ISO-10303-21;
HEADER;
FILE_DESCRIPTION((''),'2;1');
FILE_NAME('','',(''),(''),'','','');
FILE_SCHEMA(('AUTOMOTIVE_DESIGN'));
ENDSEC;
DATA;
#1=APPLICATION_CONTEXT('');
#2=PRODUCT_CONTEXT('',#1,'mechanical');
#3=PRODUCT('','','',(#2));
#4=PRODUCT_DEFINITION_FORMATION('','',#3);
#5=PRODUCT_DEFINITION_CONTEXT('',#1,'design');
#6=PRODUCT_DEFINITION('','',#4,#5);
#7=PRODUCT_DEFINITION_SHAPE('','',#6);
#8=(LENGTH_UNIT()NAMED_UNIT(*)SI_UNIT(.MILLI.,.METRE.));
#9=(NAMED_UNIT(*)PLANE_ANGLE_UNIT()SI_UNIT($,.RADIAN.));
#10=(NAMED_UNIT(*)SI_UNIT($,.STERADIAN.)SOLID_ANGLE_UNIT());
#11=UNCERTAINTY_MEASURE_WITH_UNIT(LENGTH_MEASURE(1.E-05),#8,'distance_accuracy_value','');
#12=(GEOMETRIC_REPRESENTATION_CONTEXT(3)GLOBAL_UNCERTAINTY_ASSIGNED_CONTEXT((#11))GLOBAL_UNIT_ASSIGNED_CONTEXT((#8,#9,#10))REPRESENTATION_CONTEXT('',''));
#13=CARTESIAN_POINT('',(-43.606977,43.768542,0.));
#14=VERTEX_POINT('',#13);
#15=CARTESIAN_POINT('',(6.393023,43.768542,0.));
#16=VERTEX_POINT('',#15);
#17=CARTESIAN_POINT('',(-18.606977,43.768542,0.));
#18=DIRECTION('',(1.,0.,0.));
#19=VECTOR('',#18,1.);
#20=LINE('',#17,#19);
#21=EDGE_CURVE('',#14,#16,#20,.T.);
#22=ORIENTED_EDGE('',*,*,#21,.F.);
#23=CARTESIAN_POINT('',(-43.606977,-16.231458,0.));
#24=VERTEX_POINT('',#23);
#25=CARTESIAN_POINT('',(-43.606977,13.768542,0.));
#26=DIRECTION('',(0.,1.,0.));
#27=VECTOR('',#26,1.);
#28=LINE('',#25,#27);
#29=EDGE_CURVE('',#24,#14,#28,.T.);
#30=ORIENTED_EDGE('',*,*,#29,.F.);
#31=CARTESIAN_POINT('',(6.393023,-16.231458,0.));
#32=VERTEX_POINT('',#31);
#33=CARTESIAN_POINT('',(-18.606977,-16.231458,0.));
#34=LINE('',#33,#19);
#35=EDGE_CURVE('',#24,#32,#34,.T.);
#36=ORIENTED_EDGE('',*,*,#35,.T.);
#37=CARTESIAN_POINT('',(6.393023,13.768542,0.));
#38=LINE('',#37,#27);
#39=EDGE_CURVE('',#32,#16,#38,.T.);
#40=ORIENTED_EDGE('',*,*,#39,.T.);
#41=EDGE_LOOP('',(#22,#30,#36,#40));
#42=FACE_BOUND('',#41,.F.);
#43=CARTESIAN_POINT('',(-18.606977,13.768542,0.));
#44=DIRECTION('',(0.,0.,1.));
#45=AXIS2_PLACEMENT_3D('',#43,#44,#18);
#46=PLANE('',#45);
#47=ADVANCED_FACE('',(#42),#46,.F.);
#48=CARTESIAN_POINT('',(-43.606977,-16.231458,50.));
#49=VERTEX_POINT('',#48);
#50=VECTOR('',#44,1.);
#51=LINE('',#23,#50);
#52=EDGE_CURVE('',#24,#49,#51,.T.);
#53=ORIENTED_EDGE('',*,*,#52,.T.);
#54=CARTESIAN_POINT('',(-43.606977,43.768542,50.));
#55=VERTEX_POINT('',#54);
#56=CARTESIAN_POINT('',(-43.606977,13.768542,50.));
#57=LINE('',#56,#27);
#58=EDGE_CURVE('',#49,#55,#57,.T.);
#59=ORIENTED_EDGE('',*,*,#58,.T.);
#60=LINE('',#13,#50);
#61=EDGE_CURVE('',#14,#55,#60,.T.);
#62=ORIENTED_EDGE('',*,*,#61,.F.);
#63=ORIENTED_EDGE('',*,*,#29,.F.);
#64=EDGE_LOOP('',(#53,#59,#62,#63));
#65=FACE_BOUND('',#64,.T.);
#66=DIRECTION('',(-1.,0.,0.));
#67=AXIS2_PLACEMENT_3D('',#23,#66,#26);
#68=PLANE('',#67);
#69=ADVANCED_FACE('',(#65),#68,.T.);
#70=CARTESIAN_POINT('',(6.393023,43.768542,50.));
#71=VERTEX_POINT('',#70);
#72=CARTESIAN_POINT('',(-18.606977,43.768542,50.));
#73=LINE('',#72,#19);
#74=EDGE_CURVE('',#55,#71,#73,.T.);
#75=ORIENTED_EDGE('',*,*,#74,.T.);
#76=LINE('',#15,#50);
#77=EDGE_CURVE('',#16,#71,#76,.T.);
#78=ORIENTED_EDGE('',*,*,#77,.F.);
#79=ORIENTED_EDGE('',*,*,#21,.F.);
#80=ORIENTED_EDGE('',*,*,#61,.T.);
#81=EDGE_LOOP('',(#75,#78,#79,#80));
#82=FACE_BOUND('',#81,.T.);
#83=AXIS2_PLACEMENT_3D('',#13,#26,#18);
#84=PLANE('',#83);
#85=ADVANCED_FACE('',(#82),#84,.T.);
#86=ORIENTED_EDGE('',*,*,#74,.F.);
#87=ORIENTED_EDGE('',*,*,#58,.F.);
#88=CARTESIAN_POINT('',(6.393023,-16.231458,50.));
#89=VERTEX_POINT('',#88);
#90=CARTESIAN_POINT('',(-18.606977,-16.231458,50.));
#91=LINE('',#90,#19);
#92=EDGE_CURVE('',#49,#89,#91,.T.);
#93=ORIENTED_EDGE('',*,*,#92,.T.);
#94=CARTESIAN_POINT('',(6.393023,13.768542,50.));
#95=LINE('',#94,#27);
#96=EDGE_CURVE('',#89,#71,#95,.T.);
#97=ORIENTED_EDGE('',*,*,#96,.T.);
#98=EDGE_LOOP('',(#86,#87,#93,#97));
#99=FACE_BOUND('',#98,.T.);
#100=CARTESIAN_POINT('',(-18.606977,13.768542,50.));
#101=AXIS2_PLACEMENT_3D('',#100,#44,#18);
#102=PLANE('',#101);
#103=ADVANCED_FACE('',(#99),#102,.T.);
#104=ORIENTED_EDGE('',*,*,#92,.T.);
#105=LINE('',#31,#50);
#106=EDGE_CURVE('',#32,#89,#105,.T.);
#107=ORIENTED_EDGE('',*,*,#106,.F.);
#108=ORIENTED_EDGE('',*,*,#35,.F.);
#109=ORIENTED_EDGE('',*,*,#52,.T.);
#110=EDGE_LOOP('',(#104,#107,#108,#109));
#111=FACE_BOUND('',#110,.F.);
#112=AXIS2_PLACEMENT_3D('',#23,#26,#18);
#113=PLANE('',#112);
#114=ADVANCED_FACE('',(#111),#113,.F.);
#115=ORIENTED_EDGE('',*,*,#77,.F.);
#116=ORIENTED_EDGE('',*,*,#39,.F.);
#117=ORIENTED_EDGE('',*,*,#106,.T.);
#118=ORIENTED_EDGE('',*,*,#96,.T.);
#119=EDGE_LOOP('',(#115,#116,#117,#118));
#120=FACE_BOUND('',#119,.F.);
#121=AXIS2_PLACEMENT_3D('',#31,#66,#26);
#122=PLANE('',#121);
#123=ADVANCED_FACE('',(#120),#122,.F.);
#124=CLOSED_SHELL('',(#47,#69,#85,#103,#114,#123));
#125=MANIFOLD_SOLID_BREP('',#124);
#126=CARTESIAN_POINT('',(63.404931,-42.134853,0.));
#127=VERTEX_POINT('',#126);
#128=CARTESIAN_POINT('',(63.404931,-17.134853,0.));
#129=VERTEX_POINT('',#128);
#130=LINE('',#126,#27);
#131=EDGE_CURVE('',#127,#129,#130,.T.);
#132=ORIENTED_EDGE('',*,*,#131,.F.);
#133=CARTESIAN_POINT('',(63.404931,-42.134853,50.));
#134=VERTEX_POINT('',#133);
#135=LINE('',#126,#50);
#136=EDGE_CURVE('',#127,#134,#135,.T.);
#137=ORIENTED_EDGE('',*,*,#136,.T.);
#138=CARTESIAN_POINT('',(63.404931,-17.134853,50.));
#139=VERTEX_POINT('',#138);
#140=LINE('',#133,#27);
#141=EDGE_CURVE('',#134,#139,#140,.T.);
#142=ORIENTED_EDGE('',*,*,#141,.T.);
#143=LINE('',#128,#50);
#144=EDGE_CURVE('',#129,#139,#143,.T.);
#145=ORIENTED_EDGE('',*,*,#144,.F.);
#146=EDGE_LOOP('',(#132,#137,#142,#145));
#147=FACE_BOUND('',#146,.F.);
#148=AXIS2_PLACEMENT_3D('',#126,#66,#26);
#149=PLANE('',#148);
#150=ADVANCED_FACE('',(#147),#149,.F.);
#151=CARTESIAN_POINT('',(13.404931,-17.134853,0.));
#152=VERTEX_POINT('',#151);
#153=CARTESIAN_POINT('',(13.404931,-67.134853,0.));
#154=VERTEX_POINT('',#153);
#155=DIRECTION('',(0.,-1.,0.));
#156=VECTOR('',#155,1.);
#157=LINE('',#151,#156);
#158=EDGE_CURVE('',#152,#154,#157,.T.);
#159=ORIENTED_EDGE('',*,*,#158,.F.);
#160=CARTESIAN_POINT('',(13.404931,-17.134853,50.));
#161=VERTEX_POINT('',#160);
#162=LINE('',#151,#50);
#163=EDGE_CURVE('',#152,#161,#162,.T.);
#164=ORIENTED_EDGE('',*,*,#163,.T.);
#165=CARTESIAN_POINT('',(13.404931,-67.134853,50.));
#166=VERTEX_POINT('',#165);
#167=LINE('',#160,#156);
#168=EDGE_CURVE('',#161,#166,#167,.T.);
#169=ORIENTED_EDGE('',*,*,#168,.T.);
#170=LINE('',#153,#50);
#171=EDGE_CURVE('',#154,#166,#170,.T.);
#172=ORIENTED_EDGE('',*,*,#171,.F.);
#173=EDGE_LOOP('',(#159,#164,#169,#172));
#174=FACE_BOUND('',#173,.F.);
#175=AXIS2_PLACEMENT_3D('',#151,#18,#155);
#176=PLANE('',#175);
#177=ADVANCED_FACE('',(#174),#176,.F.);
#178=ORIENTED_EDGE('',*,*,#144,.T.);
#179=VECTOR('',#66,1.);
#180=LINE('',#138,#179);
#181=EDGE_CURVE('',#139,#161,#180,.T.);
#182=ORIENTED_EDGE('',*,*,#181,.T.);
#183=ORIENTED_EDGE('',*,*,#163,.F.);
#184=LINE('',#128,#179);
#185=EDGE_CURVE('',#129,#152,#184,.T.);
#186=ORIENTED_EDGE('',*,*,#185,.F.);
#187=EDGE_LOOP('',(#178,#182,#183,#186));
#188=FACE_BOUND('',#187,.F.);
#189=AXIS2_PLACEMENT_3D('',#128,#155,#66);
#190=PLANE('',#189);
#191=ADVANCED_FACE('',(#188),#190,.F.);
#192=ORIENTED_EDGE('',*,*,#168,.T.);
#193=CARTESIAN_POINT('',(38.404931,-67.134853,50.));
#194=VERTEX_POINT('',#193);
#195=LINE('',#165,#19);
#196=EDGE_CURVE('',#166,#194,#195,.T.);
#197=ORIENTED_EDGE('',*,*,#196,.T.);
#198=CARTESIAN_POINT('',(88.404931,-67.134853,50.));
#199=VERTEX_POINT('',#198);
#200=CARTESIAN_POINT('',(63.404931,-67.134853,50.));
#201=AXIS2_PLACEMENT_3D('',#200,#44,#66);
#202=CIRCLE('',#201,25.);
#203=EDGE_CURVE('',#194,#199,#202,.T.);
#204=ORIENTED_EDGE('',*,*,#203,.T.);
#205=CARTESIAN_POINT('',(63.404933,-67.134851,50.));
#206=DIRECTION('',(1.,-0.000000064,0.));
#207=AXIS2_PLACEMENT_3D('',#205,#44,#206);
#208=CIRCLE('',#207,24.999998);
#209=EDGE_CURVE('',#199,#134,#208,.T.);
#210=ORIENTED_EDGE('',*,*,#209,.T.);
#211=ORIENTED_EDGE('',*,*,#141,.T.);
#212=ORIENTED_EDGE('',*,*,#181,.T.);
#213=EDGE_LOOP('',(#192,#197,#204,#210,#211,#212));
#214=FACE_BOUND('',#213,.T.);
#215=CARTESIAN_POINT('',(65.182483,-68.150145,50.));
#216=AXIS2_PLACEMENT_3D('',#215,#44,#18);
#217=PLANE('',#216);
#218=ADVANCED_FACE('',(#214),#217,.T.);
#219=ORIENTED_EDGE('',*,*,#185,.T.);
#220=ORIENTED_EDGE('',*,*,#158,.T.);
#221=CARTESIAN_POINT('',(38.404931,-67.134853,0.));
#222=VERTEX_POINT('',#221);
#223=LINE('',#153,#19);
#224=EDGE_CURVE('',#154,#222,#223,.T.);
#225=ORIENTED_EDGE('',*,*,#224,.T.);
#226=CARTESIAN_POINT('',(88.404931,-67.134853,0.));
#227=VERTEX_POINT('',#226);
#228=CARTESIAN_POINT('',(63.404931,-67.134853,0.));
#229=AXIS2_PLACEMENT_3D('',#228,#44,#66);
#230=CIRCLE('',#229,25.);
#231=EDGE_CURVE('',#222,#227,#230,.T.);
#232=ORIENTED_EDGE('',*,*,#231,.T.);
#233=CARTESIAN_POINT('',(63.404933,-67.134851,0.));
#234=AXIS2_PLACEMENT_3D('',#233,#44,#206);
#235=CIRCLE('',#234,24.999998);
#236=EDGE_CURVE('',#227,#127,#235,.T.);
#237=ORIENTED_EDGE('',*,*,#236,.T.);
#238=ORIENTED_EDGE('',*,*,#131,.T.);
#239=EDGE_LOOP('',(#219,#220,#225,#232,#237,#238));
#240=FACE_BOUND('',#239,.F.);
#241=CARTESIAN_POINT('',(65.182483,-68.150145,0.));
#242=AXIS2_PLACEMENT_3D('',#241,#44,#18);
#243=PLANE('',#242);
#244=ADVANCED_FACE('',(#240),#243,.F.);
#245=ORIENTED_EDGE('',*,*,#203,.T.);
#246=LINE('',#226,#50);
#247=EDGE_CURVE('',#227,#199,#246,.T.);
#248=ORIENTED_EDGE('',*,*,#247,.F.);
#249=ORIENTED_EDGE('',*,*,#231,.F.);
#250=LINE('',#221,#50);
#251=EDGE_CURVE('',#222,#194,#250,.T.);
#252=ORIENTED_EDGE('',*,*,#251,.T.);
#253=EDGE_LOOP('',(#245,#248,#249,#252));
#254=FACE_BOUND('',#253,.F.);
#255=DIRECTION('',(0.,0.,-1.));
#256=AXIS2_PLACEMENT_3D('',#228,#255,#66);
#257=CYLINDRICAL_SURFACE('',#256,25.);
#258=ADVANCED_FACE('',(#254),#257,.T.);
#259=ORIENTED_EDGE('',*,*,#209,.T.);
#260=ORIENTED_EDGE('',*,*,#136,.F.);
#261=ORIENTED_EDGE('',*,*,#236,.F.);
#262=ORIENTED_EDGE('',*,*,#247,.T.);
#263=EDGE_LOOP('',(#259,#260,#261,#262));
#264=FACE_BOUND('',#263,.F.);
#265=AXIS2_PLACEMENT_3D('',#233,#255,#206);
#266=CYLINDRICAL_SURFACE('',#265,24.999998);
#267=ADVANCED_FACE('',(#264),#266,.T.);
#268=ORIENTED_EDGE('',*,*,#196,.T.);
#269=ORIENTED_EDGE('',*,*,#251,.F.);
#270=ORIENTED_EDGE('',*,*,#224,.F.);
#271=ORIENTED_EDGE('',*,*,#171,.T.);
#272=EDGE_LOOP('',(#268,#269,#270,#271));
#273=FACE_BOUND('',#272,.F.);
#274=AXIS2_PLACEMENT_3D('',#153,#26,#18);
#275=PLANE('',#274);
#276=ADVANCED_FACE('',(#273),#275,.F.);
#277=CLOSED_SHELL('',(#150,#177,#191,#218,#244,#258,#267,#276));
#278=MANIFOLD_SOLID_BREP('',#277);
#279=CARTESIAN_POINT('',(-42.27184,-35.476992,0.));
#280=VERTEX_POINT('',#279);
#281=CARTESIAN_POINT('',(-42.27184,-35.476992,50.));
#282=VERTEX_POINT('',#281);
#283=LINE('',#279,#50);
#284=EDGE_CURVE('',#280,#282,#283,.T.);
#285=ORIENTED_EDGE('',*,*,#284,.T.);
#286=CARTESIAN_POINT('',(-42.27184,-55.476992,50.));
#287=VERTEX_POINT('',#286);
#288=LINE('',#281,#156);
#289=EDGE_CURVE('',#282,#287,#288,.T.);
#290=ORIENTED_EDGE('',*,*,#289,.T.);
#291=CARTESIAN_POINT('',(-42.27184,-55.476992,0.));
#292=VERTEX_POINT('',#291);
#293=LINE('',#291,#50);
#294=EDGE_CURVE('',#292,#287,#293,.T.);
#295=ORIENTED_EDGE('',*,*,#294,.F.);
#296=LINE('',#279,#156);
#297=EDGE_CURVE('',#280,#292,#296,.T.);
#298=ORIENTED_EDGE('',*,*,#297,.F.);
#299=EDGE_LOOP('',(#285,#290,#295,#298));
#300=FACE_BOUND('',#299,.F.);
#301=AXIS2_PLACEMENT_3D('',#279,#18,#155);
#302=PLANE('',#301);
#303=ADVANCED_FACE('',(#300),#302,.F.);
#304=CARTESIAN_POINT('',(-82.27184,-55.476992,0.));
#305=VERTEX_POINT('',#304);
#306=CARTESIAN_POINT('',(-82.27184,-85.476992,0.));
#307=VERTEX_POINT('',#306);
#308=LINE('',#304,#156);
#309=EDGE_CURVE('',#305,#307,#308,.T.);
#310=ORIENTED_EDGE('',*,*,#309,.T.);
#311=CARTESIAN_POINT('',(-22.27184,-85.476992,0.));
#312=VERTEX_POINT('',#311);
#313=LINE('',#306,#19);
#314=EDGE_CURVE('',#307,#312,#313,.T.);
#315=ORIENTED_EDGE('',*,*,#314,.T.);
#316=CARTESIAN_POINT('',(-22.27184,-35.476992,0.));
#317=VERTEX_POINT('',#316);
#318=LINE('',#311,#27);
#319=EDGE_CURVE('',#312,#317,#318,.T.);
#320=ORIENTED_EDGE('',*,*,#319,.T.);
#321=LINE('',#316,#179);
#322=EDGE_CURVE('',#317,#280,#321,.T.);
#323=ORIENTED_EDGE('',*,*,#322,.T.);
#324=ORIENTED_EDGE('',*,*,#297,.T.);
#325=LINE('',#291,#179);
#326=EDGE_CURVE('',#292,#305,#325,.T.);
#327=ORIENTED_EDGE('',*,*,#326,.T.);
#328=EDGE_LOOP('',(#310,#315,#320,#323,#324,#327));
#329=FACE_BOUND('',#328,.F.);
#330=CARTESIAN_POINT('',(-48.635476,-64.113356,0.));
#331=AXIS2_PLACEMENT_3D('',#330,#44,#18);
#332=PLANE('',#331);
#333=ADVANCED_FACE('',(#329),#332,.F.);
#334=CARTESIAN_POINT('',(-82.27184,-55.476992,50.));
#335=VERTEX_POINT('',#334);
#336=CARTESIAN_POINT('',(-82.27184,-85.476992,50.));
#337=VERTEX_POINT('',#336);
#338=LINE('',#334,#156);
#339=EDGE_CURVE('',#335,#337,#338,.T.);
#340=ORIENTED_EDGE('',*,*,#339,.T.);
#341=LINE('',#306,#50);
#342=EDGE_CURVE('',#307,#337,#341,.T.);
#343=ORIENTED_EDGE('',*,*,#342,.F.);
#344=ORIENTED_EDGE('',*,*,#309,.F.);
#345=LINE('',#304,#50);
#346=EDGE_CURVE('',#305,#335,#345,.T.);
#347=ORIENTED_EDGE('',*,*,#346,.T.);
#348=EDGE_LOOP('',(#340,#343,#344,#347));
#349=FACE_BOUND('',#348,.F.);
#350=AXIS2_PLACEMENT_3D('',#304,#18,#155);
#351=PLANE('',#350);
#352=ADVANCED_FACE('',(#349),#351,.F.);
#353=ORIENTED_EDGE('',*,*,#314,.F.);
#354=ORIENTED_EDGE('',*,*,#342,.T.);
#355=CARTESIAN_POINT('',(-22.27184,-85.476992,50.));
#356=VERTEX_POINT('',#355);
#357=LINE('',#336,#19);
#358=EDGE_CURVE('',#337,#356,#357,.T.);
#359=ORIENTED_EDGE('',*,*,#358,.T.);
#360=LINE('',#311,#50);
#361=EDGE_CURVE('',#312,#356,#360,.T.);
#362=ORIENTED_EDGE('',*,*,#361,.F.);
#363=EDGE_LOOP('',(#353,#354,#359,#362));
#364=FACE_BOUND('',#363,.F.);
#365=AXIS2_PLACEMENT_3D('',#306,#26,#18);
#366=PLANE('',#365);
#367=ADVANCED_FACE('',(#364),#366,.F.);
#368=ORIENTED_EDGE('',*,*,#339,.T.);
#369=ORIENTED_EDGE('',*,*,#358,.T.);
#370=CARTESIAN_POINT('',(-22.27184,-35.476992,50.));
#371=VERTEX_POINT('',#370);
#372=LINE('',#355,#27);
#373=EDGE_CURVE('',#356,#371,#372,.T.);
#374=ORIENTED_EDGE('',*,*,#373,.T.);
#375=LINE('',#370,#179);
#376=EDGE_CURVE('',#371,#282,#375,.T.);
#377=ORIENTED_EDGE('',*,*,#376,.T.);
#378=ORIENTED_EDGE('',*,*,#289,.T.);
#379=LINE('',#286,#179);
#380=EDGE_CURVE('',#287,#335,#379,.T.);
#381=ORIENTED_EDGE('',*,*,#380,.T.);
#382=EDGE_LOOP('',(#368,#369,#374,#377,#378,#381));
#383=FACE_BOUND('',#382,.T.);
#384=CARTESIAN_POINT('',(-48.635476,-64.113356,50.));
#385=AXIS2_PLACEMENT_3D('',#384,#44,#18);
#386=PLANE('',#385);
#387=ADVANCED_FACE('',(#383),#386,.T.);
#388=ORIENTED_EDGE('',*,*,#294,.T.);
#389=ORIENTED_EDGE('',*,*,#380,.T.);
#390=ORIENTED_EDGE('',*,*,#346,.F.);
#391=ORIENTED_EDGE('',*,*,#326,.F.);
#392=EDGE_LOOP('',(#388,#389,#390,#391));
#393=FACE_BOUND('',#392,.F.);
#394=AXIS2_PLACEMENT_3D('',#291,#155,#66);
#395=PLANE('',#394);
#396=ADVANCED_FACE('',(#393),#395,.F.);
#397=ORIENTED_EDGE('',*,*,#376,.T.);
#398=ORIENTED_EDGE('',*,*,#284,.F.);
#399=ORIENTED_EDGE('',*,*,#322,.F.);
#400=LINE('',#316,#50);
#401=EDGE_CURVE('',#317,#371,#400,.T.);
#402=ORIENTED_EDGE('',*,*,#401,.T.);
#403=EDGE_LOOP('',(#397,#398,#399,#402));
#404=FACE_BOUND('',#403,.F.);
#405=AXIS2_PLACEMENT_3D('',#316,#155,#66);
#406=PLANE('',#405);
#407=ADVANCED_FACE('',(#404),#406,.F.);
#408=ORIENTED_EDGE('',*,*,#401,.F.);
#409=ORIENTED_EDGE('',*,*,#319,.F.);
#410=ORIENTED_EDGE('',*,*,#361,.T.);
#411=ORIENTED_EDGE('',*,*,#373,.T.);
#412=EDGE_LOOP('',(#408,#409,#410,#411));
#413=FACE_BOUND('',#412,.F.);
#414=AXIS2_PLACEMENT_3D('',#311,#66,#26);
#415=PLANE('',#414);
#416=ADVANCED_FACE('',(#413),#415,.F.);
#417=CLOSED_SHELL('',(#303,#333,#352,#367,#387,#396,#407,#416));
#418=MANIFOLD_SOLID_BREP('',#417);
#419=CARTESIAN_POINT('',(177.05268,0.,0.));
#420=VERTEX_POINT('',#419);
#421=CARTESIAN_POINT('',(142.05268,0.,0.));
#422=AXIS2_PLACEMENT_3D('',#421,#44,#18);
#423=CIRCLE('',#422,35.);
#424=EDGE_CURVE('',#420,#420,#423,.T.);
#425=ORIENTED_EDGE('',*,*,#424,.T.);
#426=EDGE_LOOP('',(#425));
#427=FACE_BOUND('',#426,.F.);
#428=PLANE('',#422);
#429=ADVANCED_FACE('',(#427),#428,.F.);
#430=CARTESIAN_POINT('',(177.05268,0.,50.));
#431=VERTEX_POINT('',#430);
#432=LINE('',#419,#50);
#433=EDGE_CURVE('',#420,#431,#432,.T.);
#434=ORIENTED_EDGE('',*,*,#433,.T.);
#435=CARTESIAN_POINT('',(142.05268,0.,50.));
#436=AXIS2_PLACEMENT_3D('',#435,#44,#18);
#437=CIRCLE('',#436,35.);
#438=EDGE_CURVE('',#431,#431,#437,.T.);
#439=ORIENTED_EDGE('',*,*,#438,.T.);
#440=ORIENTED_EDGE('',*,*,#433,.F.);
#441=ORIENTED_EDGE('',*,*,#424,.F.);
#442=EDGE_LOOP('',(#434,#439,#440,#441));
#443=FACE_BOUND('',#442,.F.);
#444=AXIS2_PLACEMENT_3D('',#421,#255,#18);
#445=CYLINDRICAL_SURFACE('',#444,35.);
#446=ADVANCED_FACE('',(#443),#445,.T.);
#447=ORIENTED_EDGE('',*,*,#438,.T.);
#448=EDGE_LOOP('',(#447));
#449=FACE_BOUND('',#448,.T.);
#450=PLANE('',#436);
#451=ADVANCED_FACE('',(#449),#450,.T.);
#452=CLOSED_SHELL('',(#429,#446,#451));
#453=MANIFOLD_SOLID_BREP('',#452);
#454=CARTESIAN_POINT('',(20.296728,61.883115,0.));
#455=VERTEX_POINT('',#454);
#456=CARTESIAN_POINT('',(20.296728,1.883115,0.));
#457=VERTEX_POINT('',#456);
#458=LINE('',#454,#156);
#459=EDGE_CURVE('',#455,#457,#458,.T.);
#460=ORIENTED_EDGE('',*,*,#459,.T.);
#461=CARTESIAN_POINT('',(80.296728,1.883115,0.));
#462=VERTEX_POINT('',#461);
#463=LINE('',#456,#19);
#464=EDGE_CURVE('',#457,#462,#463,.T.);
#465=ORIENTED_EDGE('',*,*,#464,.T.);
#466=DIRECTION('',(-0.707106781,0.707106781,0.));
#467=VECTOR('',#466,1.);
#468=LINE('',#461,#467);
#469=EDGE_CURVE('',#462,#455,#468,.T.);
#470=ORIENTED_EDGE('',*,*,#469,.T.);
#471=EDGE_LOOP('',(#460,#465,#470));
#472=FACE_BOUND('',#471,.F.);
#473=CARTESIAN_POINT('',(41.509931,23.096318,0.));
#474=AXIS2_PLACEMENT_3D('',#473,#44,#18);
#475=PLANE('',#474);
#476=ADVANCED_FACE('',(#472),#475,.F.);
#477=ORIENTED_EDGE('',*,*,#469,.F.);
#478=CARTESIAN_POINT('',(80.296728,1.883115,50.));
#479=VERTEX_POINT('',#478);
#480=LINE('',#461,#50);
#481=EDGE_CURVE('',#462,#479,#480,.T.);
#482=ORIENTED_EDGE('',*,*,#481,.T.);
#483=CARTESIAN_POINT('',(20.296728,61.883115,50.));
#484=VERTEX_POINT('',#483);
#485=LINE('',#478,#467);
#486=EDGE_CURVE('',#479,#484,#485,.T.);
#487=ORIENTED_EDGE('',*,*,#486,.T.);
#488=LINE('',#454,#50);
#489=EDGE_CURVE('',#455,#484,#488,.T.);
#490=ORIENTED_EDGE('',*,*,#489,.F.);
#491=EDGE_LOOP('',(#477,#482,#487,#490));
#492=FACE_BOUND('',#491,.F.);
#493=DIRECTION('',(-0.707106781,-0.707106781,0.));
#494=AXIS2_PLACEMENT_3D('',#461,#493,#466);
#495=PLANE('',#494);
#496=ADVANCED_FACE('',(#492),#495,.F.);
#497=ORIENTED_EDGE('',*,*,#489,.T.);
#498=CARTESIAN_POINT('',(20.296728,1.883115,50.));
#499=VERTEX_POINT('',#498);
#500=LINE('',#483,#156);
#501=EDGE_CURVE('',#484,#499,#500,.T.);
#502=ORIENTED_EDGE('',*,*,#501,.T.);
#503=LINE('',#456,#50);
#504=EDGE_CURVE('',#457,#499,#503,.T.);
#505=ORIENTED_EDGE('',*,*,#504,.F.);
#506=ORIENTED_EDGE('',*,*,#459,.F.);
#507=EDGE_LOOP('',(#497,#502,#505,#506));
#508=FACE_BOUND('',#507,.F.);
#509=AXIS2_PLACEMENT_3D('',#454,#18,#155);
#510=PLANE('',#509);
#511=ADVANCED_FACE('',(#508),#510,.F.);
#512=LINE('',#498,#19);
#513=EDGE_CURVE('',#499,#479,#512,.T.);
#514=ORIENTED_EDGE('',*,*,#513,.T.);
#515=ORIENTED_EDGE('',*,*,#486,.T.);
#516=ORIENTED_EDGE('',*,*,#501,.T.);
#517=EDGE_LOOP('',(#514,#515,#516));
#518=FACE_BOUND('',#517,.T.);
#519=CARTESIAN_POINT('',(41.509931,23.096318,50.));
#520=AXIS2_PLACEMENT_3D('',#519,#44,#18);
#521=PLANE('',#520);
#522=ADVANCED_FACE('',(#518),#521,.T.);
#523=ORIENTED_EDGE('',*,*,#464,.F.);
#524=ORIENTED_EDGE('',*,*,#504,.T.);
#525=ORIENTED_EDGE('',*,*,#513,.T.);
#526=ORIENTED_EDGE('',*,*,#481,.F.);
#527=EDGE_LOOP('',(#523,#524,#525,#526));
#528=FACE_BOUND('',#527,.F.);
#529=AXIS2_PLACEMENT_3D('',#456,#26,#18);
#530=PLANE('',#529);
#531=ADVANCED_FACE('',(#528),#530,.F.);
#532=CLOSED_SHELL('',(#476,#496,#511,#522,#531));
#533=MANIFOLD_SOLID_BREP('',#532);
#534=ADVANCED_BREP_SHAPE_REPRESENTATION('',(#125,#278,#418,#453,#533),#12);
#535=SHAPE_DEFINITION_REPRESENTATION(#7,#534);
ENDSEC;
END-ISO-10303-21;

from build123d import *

# Parameters (mm, degrees)
F0_W     = 50
F0_H     = 60
F1_DEPTH = 50
F3_DEPTH = 50
F5_DEPTH = 50
F6_R     = 35
F7_DEPTH = 50


with BuildPart() as f1:
    # F0 (on Top) → F1 (new body)
    with BuildSketch(Plane.XY):
        with Locations((-18.606977, 13.768542)):
            Rectangle(F0_W, F0_H)
    extrude(amount=F1_DEPTH)


with BuildPart() as f3:
    # F2 (on Top) → F3 (new body)
    with BuildSketch(Plane.XY):
        Polygon((-22.27184, -35.476992), (-42.27184, -35.476992), (-42.27184, -55.476992), (-82.27184, -55.476992), (-82.27184, -85.476992), (-22.27184, -85.476992), align=None)
    extrude(amount=F3_DEPTH)


with BuildPart() as f5:
    # F4 (on Top) → F5 (new body)
    with BuildSketch(Plane.XY):
        Polygon((20.296728, 61.883115), (20.296728, 1.883115), (80.296728, 1.883115), align=None)
    extrude(amount=F5_DEPTH)


with BuildPart() as f7:
    # F6 (on Top) → F7 (new body)
    with BuildSketch(Plane.XY):
        with BuildLine():
            ThreePointArc((88.404931, -67.134853), (81.082601, -49.457183), (63.404931, -42.134853))
            Line((63.404931, -42.134853), (63.404931, -67.134853))
            Line((63.404931, -67.134853), (38.404931, -67.134853))
            ThreePointArc((38.404931, -67.134853), (63.404931, -92.134853), (88.404931, -67.134853))
        make_face()
        with BuildLine():
            Line((63.404931, -67.134853), (63.404931, -42.134853))
            ThreePointArc((63.404931, -42.134853), (45.727262, -49.457183), (38.404931, -67.134853))
            Line((38.404931, -67.134853), (63.404931, -67.134853))
        make_face()
        with BuildLine():
            Line((63.404931, -17.134853), (13.404931, -17.134853))
            Line((13.404931, -17.134853), (13.404931, -67.134853))
            Line((13.404931, -67.134853), (38.404931, -67.134853))
            ThreePointArc((38.404931, -67.134853), (45.727262, -49.457183), (63.404931, -42.134853))
            Line((63.404931, -42.134853), (63.404931, -17.134853))
        make_face()
        with Locations((142.05268, 0)):
            Circle(F6_R)
    extrude(amount=F7_DEPTH)


solid = Compound([f1.part, f3.part, f5.part, f7.part])
